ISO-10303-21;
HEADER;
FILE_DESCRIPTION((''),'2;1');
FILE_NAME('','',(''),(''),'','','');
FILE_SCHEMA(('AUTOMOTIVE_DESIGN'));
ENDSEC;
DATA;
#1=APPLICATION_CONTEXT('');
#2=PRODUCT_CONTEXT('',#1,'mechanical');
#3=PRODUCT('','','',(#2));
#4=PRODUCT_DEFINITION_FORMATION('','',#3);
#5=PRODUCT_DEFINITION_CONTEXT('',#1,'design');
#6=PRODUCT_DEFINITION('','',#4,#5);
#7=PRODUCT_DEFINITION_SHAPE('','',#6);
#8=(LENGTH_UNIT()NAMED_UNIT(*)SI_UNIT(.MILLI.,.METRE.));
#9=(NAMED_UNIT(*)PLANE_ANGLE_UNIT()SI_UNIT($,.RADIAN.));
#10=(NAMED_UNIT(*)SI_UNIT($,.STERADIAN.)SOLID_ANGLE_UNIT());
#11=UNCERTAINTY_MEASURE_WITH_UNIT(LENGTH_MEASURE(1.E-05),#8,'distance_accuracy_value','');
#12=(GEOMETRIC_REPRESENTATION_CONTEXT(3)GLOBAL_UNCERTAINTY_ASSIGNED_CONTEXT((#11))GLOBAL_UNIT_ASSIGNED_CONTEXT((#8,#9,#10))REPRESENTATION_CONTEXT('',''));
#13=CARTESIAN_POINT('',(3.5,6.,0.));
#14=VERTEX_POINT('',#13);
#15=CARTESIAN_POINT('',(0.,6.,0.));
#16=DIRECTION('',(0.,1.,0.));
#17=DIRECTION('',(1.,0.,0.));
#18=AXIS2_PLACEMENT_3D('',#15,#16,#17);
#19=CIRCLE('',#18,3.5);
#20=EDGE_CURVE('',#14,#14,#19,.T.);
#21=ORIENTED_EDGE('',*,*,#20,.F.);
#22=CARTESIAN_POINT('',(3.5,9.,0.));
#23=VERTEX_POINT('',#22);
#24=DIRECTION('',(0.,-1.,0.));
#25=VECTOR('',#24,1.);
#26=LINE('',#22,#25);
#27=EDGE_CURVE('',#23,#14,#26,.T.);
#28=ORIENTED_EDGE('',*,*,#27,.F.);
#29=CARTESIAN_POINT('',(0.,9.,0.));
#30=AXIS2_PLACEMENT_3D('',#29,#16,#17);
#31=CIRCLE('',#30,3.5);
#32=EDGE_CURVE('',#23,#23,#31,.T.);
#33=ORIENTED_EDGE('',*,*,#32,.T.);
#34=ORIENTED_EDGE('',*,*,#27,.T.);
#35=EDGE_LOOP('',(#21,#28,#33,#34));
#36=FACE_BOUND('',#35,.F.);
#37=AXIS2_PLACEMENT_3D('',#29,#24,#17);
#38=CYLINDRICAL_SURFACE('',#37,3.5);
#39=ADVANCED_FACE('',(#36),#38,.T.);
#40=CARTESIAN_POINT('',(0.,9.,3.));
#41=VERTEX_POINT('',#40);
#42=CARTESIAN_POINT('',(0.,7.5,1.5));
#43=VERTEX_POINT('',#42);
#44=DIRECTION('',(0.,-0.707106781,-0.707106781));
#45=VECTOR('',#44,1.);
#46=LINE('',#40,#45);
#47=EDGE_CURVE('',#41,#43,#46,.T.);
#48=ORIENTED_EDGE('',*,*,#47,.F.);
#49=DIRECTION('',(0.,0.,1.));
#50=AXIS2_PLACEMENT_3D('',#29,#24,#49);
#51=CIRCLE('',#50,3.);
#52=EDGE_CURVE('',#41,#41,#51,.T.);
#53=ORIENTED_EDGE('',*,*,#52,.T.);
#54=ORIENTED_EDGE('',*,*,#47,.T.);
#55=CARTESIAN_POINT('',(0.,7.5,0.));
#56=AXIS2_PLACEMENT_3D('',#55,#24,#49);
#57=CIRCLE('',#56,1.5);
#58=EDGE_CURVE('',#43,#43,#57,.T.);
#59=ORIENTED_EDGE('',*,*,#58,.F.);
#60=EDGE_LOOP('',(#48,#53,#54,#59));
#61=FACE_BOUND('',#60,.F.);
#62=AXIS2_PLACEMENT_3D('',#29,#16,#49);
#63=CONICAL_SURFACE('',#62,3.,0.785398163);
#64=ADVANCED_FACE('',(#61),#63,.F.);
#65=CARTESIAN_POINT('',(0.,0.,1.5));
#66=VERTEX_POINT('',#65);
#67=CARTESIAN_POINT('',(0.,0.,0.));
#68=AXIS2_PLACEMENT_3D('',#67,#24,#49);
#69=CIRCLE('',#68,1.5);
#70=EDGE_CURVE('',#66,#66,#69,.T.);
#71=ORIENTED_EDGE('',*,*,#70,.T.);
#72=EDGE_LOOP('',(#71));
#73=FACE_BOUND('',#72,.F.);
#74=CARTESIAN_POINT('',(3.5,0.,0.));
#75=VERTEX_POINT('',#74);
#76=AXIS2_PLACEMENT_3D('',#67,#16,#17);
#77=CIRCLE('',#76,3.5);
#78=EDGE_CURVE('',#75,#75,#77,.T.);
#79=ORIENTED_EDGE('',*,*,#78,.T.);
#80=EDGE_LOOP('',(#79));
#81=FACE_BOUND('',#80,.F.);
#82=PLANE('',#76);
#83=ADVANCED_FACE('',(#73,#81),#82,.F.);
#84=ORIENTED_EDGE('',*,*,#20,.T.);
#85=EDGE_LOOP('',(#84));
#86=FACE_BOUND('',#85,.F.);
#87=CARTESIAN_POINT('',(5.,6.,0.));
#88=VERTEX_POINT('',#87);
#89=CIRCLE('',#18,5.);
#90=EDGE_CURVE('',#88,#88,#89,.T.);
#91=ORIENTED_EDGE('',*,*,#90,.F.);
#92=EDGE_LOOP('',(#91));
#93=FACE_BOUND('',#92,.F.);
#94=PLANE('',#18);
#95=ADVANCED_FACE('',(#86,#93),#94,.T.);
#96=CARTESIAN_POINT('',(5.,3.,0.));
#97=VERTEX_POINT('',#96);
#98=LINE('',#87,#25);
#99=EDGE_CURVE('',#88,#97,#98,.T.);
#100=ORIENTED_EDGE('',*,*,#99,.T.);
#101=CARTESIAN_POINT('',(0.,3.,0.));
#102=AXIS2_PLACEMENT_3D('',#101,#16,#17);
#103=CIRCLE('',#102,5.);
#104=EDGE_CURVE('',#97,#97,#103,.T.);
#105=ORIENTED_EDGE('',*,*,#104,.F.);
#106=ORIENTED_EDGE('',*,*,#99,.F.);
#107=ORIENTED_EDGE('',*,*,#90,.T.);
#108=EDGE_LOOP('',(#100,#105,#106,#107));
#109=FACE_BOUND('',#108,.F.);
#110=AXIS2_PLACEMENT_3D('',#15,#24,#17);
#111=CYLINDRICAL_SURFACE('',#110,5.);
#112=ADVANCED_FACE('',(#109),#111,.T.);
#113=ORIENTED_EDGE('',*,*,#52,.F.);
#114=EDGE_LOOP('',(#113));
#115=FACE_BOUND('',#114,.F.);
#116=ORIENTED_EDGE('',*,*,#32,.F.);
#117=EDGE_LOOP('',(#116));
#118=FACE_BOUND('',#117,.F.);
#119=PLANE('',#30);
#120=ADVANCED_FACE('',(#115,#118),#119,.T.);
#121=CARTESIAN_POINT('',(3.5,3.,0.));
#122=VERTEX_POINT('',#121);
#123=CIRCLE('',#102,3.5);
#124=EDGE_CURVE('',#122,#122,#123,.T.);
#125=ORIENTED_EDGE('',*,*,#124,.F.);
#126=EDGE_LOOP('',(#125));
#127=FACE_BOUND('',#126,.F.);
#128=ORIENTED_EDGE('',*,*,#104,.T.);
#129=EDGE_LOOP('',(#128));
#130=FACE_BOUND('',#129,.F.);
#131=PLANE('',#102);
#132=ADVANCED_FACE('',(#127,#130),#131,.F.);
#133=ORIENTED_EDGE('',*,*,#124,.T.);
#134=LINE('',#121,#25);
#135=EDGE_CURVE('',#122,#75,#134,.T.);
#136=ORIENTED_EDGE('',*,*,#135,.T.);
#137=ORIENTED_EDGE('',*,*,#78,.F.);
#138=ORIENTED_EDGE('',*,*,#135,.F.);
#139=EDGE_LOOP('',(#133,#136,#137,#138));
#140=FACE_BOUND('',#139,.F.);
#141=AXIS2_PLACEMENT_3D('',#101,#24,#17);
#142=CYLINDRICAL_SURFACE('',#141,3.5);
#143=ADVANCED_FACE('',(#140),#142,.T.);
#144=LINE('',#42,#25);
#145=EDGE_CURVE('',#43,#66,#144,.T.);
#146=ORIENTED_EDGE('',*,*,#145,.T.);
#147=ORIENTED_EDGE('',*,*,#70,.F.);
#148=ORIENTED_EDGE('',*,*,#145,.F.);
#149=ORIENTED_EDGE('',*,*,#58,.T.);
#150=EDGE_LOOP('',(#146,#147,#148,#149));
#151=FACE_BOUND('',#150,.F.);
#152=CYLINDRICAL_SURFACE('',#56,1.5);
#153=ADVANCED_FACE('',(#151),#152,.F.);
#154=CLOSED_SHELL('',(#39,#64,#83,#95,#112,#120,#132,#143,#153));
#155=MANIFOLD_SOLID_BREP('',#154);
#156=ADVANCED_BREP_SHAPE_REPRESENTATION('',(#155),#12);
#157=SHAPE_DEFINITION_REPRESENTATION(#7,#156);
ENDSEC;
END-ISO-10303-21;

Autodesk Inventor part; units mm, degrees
ref_plane "YZ Plane" through (0, 0, 0) normal (1, 0, 0) x (0, 1, 0)
ref_plane "XZ Plane" through (0, 0, 0) normal (0, 1, 0) x (-1, 0, 0)
ref_plane "XY Plane" through (0, 0, 0) normal (0, 0, 1) x (1, 0, 0)
sketch "Sketch1" plane through (0, 0, 0) normal (0, 0, 1) x (1, 0, 0)
  line L0 (0, 9) -> (3.5, 9)
  line L1 (3.5, 9) -> (3.5, 6)
  line L2 (3.5, 6) -> (5, 6)
  line L3 (5, 6) -> (5, 3)
  line L4 (5, 3) -> (3.5, 3)
  line L5 (3.5, 3) -> (3.5, 0)
  line L6 (3.5, 0) -> (0, 0)
  line L7 (0, 0) -> (0, 9)
  dimension "d0" = 3
  dimension "d1" = 3
  dimension "d2" = 3
  dimension "d3" = 7
  dimension "d4" = 10
revolve "Revolution1" add sketch "Sketch1" angle 360 about axis through (0, 0, 0) along (0, 1, 0)
sketch "Sketch2" plane through (0, 9, 0) normal (0, 1, 0) x (1, 0, 0)
  circle A0 centre (0, 0) radius 3.5 projected
hole "Hole1" at (0, 9, 0) direction (0, -1, 0) diameter 3 depth 9 countersink diameter 6 countersink angle 90
properties part number "26a"
